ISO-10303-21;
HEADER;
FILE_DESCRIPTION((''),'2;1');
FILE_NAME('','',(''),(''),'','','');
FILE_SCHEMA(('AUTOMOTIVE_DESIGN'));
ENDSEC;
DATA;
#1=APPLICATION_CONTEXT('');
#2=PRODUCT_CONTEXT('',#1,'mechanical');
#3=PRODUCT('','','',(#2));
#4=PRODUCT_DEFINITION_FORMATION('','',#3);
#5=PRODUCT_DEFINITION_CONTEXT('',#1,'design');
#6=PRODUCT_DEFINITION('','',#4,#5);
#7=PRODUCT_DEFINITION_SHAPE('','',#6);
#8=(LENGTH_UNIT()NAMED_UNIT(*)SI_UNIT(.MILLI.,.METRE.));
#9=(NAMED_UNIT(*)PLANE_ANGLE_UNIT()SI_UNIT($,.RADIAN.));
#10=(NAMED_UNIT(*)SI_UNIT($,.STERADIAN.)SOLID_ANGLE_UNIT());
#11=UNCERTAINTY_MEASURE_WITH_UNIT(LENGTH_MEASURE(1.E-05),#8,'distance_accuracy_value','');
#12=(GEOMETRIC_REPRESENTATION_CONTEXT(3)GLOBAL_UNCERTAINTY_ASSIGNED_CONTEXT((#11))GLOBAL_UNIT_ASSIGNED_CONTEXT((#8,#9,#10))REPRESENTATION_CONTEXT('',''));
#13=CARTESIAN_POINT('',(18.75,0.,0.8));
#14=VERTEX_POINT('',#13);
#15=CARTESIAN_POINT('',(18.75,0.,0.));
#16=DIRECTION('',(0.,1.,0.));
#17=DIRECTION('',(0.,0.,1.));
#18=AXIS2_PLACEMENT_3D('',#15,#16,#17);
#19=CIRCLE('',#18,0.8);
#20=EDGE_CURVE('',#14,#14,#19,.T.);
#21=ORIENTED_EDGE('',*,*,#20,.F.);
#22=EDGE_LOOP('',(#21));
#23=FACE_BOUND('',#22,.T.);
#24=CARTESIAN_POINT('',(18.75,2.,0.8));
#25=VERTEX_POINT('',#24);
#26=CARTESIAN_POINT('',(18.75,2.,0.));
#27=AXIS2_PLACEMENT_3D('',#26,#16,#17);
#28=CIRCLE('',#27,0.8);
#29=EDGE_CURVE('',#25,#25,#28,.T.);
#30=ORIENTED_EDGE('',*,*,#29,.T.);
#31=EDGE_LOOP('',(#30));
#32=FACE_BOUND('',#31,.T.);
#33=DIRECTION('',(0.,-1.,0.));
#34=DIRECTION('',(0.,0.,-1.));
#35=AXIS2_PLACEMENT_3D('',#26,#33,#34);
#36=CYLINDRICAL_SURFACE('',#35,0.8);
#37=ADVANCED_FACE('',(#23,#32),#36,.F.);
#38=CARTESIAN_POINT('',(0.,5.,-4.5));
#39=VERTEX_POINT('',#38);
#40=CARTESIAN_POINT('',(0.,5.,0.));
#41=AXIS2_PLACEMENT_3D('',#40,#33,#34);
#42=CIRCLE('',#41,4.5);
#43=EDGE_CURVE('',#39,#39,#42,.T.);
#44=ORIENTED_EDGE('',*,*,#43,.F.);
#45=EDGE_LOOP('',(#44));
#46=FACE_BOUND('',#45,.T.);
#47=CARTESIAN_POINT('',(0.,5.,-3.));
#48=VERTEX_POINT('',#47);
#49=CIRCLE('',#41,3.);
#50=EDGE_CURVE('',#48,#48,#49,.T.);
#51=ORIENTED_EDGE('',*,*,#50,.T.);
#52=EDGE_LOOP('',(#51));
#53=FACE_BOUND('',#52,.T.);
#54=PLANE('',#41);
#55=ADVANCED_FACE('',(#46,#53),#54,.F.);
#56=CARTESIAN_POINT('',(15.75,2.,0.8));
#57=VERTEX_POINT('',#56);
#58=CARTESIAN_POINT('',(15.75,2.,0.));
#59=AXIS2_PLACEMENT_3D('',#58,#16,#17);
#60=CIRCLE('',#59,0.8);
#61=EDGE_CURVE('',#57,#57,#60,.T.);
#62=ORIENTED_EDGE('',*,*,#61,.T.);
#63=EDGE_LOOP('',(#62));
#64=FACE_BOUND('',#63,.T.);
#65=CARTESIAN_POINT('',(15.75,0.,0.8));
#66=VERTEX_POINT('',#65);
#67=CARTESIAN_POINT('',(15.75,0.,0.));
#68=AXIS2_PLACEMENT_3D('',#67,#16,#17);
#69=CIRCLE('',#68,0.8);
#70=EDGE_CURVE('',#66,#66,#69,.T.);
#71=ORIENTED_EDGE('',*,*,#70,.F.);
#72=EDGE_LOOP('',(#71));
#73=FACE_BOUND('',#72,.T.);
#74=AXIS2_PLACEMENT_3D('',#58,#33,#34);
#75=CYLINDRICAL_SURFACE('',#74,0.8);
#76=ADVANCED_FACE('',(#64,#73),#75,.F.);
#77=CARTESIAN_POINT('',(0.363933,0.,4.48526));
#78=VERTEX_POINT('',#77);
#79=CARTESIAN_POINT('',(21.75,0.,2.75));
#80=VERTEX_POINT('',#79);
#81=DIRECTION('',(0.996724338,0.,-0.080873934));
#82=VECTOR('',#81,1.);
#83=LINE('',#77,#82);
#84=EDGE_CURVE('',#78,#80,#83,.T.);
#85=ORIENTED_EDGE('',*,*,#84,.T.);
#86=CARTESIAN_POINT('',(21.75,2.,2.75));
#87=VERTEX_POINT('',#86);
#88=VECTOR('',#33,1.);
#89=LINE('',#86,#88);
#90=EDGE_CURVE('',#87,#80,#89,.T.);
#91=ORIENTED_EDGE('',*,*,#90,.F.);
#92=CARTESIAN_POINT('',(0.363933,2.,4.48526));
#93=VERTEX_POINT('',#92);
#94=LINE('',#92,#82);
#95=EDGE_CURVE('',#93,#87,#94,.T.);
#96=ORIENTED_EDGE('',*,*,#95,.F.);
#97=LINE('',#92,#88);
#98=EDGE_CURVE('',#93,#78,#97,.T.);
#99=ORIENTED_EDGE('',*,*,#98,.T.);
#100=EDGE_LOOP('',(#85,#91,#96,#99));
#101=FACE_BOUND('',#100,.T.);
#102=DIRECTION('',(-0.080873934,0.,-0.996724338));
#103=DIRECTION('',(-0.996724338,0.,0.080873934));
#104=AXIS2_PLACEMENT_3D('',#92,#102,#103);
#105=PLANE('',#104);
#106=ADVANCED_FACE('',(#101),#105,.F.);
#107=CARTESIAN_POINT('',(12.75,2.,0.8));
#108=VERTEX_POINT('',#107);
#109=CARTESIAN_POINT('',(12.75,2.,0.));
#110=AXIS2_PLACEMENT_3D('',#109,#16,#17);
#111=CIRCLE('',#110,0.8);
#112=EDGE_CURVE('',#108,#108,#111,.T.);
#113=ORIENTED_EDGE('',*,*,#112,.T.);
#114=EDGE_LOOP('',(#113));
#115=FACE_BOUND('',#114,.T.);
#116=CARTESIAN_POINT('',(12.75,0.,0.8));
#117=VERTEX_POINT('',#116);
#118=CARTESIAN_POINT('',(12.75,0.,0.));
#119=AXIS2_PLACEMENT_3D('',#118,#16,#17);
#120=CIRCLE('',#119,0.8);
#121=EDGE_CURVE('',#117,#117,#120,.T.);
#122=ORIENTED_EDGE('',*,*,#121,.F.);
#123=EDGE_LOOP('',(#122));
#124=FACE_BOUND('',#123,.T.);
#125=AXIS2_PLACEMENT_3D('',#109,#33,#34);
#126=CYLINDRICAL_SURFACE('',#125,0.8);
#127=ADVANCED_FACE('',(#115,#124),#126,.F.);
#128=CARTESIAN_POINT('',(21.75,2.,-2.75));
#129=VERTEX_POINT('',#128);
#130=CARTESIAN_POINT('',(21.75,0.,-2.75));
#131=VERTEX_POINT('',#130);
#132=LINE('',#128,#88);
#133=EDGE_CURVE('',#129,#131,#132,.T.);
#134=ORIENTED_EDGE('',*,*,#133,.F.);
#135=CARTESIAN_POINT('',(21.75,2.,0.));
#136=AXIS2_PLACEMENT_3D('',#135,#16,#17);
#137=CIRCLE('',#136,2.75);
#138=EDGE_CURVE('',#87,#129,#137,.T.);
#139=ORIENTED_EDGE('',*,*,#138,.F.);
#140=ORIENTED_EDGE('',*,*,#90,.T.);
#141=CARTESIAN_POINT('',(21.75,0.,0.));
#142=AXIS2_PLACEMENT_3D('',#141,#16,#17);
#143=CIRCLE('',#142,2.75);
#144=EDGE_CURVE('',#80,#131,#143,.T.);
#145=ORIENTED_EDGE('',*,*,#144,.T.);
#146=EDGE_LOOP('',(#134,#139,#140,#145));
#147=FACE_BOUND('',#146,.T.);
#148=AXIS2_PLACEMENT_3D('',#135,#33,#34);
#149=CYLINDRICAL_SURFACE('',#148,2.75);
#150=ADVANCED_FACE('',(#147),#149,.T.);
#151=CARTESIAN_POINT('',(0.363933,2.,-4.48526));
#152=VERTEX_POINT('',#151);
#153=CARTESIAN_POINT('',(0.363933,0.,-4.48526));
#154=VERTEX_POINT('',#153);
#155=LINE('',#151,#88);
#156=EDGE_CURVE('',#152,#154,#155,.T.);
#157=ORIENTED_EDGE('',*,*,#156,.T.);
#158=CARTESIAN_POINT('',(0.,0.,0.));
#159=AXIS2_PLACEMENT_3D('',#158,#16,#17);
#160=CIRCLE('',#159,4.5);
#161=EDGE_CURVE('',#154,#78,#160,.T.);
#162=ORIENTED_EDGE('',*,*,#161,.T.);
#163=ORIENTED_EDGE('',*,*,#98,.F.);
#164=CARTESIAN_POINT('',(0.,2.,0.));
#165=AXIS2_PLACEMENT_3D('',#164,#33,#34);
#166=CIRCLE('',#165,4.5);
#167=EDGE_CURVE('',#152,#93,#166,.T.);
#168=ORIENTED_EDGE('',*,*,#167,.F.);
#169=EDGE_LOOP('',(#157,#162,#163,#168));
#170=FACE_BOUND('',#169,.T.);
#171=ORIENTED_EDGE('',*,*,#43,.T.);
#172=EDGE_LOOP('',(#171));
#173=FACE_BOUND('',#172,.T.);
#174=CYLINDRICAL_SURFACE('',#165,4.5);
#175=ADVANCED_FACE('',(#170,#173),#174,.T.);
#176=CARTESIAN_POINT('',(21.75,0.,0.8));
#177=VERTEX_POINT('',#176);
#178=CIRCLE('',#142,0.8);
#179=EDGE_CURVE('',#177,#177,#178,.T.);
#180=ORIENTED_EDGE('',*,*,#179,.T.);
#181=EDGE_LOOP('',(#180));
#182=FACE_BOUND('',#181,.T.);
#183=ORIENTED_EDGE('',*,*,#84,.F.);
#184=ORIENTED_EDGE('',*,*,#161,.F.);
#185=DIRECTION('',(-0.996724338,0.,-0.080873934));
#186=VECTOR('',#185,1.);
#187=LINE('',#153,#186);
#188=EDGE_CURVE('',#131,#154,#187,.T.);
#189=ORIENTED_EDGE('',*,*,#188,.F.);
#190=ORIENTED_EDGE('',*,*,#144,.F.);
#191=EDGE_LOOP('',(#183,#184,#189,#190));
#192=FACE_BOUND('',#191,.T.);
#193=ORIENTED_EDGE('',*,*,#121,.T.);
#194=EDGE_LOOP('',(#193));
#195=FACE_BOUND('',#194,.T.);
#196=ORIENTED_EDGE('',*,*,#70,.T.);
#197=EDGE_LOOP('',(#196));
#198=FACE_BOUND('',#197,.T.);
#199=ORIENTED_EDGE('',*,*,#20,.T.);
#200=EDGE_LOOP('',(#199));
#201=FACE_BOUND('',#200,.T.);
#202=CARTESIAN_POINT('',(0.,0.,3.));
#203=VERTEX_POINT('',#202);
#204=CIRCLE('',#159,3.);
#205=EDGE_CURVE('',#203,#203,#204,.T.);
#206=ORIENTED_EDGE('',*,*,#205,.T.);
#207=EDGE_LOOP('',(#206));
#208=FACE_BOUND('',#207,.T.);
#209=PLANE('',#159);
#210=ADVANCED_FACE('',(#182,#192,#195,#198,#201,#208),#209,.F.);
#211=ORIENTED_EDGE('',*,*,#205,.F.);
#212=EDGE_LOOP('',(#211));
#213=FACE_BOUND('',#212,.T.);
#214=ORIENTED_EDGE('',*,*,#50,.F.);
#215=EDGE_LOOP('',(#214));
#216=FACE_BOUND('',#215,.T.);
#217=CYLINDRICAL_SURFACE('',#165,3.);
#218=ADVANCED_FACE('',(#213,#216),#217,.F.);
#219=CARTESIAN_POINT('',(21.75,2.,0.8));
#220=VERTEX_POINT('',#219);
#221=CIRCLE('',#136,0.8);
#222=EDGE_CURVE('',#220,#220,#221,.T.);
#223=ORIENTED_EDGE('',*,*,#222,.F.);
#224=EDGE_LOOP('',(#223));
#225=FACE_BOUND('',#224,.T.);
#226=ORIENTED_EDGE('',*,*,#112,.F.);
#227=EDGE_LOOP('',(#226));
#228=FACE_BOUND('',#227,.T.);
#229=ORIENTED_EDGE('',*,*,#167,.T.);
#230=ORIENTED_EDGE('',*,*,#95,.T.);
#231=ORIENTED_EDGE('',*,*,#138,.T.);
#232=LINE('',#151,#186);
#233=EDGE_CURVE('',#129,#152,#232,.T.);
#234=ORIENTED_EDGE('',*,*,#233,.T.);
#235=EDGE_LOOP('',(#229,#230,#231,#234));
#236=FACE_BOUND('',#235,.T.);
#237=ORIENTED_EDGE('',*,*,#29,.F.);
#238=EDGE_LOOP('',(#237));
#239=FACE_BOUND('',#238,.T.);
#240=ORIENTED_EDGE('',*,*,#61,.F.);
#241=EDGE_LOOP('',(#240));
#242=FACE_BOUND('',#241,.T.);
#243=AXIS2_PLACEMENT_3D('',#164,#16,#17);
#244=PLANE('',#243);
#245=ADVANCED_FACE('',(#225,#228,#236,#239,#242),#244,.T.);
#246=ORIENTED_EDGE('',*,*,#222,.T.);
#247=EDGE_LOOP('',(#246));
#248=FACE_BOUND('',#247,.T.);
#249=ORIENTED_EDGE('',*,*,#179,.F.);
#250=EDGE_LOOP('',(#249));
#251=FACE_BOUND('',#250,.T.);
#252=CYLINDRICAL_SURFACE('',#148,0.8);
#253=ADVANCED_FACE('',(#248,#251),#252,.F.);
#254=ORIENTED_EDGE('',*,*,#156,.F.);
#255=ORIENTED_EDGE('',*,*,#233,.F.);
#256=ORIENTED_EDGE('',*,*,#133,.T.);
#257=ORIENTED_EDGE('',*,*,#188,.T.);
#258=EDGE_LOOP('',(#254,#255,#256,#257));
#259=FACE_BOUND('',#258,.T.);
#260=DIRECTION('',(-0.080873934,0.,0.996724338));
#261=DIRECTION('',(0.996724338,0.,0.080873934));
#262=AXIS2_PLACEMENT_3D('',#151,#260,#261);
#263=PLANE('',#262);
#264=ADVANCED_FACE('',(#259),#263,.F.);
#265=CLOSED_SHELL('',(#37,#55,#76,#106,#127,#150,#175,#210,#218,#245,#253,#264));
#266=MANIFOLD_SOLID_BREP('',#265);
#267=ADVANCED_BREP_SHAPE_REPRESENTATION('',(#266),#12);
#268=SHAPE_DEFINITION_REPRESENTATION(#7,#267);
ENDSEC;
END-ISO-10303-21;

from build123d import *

# Parameters (mm, degrees)
SKETCH_1_R      = 3
SKETCH_1_R_2    = 0.8
EXTRUDE_1_DEPTH = 2
SKETCH_2_R      = 4.5
SKETCH_2_R_2    = 3
EXTRUDE_2_DEPTH = 3


with BuildPart() as part:
    # 草圖1 → 伸長1 (new body)
    with BuildSketch(Plane(origin=(0, 0, 0), x_dir=(1, 0, 0), z_dir=(0, 1, 0))):
        with BuildLine():
            Line((0.363932704, 4.485259523), (21.75, 2.75))
            ThreePointArc((21.75, 2.75), (24.5, 0), (21.75, -2.75))
            Line((21.75, -2.75), (0.363932704, -4.485259523))
            ThreePointArc((0.363932704, -4.485259523), (-4.5, 0), (0.363932704, 4.485259523))
        make_face()
        Circle(SKETCH_1_R, mode=Mode.SUBTRACT)
        with Locations((12.75, 0)):
            Circle(SKETCH_1_R_2, mode=Mode.SUBTRACT)
        with Locations((15.75, 0)):
            Circle(SKETCH_1_R_2, mode=Mode.SUBTRACT)
        with Locations((18.75, 0)):
            Circle(SKETCH_1_R_2, mode=Mode.SUBTRACT)
        with Locations((21.75, 0)):
            Circle(SKETCH_1_R_2, mode=Mode.SUBTRACT)
    extrude(amount=EXTRUDE_1_DEPTH)

    # 草圖2 → 伸長2 (add)
    with BuildSketch(Plane.XZ.offset(-2)):
        Circle(SKETCH_2_R)
        Circle(SKETCH_2_R_2, mode=Mode.SUBTRACT)
    extrude(amount=-EXTRUDE_2_DEPTH)


solid = part.part
